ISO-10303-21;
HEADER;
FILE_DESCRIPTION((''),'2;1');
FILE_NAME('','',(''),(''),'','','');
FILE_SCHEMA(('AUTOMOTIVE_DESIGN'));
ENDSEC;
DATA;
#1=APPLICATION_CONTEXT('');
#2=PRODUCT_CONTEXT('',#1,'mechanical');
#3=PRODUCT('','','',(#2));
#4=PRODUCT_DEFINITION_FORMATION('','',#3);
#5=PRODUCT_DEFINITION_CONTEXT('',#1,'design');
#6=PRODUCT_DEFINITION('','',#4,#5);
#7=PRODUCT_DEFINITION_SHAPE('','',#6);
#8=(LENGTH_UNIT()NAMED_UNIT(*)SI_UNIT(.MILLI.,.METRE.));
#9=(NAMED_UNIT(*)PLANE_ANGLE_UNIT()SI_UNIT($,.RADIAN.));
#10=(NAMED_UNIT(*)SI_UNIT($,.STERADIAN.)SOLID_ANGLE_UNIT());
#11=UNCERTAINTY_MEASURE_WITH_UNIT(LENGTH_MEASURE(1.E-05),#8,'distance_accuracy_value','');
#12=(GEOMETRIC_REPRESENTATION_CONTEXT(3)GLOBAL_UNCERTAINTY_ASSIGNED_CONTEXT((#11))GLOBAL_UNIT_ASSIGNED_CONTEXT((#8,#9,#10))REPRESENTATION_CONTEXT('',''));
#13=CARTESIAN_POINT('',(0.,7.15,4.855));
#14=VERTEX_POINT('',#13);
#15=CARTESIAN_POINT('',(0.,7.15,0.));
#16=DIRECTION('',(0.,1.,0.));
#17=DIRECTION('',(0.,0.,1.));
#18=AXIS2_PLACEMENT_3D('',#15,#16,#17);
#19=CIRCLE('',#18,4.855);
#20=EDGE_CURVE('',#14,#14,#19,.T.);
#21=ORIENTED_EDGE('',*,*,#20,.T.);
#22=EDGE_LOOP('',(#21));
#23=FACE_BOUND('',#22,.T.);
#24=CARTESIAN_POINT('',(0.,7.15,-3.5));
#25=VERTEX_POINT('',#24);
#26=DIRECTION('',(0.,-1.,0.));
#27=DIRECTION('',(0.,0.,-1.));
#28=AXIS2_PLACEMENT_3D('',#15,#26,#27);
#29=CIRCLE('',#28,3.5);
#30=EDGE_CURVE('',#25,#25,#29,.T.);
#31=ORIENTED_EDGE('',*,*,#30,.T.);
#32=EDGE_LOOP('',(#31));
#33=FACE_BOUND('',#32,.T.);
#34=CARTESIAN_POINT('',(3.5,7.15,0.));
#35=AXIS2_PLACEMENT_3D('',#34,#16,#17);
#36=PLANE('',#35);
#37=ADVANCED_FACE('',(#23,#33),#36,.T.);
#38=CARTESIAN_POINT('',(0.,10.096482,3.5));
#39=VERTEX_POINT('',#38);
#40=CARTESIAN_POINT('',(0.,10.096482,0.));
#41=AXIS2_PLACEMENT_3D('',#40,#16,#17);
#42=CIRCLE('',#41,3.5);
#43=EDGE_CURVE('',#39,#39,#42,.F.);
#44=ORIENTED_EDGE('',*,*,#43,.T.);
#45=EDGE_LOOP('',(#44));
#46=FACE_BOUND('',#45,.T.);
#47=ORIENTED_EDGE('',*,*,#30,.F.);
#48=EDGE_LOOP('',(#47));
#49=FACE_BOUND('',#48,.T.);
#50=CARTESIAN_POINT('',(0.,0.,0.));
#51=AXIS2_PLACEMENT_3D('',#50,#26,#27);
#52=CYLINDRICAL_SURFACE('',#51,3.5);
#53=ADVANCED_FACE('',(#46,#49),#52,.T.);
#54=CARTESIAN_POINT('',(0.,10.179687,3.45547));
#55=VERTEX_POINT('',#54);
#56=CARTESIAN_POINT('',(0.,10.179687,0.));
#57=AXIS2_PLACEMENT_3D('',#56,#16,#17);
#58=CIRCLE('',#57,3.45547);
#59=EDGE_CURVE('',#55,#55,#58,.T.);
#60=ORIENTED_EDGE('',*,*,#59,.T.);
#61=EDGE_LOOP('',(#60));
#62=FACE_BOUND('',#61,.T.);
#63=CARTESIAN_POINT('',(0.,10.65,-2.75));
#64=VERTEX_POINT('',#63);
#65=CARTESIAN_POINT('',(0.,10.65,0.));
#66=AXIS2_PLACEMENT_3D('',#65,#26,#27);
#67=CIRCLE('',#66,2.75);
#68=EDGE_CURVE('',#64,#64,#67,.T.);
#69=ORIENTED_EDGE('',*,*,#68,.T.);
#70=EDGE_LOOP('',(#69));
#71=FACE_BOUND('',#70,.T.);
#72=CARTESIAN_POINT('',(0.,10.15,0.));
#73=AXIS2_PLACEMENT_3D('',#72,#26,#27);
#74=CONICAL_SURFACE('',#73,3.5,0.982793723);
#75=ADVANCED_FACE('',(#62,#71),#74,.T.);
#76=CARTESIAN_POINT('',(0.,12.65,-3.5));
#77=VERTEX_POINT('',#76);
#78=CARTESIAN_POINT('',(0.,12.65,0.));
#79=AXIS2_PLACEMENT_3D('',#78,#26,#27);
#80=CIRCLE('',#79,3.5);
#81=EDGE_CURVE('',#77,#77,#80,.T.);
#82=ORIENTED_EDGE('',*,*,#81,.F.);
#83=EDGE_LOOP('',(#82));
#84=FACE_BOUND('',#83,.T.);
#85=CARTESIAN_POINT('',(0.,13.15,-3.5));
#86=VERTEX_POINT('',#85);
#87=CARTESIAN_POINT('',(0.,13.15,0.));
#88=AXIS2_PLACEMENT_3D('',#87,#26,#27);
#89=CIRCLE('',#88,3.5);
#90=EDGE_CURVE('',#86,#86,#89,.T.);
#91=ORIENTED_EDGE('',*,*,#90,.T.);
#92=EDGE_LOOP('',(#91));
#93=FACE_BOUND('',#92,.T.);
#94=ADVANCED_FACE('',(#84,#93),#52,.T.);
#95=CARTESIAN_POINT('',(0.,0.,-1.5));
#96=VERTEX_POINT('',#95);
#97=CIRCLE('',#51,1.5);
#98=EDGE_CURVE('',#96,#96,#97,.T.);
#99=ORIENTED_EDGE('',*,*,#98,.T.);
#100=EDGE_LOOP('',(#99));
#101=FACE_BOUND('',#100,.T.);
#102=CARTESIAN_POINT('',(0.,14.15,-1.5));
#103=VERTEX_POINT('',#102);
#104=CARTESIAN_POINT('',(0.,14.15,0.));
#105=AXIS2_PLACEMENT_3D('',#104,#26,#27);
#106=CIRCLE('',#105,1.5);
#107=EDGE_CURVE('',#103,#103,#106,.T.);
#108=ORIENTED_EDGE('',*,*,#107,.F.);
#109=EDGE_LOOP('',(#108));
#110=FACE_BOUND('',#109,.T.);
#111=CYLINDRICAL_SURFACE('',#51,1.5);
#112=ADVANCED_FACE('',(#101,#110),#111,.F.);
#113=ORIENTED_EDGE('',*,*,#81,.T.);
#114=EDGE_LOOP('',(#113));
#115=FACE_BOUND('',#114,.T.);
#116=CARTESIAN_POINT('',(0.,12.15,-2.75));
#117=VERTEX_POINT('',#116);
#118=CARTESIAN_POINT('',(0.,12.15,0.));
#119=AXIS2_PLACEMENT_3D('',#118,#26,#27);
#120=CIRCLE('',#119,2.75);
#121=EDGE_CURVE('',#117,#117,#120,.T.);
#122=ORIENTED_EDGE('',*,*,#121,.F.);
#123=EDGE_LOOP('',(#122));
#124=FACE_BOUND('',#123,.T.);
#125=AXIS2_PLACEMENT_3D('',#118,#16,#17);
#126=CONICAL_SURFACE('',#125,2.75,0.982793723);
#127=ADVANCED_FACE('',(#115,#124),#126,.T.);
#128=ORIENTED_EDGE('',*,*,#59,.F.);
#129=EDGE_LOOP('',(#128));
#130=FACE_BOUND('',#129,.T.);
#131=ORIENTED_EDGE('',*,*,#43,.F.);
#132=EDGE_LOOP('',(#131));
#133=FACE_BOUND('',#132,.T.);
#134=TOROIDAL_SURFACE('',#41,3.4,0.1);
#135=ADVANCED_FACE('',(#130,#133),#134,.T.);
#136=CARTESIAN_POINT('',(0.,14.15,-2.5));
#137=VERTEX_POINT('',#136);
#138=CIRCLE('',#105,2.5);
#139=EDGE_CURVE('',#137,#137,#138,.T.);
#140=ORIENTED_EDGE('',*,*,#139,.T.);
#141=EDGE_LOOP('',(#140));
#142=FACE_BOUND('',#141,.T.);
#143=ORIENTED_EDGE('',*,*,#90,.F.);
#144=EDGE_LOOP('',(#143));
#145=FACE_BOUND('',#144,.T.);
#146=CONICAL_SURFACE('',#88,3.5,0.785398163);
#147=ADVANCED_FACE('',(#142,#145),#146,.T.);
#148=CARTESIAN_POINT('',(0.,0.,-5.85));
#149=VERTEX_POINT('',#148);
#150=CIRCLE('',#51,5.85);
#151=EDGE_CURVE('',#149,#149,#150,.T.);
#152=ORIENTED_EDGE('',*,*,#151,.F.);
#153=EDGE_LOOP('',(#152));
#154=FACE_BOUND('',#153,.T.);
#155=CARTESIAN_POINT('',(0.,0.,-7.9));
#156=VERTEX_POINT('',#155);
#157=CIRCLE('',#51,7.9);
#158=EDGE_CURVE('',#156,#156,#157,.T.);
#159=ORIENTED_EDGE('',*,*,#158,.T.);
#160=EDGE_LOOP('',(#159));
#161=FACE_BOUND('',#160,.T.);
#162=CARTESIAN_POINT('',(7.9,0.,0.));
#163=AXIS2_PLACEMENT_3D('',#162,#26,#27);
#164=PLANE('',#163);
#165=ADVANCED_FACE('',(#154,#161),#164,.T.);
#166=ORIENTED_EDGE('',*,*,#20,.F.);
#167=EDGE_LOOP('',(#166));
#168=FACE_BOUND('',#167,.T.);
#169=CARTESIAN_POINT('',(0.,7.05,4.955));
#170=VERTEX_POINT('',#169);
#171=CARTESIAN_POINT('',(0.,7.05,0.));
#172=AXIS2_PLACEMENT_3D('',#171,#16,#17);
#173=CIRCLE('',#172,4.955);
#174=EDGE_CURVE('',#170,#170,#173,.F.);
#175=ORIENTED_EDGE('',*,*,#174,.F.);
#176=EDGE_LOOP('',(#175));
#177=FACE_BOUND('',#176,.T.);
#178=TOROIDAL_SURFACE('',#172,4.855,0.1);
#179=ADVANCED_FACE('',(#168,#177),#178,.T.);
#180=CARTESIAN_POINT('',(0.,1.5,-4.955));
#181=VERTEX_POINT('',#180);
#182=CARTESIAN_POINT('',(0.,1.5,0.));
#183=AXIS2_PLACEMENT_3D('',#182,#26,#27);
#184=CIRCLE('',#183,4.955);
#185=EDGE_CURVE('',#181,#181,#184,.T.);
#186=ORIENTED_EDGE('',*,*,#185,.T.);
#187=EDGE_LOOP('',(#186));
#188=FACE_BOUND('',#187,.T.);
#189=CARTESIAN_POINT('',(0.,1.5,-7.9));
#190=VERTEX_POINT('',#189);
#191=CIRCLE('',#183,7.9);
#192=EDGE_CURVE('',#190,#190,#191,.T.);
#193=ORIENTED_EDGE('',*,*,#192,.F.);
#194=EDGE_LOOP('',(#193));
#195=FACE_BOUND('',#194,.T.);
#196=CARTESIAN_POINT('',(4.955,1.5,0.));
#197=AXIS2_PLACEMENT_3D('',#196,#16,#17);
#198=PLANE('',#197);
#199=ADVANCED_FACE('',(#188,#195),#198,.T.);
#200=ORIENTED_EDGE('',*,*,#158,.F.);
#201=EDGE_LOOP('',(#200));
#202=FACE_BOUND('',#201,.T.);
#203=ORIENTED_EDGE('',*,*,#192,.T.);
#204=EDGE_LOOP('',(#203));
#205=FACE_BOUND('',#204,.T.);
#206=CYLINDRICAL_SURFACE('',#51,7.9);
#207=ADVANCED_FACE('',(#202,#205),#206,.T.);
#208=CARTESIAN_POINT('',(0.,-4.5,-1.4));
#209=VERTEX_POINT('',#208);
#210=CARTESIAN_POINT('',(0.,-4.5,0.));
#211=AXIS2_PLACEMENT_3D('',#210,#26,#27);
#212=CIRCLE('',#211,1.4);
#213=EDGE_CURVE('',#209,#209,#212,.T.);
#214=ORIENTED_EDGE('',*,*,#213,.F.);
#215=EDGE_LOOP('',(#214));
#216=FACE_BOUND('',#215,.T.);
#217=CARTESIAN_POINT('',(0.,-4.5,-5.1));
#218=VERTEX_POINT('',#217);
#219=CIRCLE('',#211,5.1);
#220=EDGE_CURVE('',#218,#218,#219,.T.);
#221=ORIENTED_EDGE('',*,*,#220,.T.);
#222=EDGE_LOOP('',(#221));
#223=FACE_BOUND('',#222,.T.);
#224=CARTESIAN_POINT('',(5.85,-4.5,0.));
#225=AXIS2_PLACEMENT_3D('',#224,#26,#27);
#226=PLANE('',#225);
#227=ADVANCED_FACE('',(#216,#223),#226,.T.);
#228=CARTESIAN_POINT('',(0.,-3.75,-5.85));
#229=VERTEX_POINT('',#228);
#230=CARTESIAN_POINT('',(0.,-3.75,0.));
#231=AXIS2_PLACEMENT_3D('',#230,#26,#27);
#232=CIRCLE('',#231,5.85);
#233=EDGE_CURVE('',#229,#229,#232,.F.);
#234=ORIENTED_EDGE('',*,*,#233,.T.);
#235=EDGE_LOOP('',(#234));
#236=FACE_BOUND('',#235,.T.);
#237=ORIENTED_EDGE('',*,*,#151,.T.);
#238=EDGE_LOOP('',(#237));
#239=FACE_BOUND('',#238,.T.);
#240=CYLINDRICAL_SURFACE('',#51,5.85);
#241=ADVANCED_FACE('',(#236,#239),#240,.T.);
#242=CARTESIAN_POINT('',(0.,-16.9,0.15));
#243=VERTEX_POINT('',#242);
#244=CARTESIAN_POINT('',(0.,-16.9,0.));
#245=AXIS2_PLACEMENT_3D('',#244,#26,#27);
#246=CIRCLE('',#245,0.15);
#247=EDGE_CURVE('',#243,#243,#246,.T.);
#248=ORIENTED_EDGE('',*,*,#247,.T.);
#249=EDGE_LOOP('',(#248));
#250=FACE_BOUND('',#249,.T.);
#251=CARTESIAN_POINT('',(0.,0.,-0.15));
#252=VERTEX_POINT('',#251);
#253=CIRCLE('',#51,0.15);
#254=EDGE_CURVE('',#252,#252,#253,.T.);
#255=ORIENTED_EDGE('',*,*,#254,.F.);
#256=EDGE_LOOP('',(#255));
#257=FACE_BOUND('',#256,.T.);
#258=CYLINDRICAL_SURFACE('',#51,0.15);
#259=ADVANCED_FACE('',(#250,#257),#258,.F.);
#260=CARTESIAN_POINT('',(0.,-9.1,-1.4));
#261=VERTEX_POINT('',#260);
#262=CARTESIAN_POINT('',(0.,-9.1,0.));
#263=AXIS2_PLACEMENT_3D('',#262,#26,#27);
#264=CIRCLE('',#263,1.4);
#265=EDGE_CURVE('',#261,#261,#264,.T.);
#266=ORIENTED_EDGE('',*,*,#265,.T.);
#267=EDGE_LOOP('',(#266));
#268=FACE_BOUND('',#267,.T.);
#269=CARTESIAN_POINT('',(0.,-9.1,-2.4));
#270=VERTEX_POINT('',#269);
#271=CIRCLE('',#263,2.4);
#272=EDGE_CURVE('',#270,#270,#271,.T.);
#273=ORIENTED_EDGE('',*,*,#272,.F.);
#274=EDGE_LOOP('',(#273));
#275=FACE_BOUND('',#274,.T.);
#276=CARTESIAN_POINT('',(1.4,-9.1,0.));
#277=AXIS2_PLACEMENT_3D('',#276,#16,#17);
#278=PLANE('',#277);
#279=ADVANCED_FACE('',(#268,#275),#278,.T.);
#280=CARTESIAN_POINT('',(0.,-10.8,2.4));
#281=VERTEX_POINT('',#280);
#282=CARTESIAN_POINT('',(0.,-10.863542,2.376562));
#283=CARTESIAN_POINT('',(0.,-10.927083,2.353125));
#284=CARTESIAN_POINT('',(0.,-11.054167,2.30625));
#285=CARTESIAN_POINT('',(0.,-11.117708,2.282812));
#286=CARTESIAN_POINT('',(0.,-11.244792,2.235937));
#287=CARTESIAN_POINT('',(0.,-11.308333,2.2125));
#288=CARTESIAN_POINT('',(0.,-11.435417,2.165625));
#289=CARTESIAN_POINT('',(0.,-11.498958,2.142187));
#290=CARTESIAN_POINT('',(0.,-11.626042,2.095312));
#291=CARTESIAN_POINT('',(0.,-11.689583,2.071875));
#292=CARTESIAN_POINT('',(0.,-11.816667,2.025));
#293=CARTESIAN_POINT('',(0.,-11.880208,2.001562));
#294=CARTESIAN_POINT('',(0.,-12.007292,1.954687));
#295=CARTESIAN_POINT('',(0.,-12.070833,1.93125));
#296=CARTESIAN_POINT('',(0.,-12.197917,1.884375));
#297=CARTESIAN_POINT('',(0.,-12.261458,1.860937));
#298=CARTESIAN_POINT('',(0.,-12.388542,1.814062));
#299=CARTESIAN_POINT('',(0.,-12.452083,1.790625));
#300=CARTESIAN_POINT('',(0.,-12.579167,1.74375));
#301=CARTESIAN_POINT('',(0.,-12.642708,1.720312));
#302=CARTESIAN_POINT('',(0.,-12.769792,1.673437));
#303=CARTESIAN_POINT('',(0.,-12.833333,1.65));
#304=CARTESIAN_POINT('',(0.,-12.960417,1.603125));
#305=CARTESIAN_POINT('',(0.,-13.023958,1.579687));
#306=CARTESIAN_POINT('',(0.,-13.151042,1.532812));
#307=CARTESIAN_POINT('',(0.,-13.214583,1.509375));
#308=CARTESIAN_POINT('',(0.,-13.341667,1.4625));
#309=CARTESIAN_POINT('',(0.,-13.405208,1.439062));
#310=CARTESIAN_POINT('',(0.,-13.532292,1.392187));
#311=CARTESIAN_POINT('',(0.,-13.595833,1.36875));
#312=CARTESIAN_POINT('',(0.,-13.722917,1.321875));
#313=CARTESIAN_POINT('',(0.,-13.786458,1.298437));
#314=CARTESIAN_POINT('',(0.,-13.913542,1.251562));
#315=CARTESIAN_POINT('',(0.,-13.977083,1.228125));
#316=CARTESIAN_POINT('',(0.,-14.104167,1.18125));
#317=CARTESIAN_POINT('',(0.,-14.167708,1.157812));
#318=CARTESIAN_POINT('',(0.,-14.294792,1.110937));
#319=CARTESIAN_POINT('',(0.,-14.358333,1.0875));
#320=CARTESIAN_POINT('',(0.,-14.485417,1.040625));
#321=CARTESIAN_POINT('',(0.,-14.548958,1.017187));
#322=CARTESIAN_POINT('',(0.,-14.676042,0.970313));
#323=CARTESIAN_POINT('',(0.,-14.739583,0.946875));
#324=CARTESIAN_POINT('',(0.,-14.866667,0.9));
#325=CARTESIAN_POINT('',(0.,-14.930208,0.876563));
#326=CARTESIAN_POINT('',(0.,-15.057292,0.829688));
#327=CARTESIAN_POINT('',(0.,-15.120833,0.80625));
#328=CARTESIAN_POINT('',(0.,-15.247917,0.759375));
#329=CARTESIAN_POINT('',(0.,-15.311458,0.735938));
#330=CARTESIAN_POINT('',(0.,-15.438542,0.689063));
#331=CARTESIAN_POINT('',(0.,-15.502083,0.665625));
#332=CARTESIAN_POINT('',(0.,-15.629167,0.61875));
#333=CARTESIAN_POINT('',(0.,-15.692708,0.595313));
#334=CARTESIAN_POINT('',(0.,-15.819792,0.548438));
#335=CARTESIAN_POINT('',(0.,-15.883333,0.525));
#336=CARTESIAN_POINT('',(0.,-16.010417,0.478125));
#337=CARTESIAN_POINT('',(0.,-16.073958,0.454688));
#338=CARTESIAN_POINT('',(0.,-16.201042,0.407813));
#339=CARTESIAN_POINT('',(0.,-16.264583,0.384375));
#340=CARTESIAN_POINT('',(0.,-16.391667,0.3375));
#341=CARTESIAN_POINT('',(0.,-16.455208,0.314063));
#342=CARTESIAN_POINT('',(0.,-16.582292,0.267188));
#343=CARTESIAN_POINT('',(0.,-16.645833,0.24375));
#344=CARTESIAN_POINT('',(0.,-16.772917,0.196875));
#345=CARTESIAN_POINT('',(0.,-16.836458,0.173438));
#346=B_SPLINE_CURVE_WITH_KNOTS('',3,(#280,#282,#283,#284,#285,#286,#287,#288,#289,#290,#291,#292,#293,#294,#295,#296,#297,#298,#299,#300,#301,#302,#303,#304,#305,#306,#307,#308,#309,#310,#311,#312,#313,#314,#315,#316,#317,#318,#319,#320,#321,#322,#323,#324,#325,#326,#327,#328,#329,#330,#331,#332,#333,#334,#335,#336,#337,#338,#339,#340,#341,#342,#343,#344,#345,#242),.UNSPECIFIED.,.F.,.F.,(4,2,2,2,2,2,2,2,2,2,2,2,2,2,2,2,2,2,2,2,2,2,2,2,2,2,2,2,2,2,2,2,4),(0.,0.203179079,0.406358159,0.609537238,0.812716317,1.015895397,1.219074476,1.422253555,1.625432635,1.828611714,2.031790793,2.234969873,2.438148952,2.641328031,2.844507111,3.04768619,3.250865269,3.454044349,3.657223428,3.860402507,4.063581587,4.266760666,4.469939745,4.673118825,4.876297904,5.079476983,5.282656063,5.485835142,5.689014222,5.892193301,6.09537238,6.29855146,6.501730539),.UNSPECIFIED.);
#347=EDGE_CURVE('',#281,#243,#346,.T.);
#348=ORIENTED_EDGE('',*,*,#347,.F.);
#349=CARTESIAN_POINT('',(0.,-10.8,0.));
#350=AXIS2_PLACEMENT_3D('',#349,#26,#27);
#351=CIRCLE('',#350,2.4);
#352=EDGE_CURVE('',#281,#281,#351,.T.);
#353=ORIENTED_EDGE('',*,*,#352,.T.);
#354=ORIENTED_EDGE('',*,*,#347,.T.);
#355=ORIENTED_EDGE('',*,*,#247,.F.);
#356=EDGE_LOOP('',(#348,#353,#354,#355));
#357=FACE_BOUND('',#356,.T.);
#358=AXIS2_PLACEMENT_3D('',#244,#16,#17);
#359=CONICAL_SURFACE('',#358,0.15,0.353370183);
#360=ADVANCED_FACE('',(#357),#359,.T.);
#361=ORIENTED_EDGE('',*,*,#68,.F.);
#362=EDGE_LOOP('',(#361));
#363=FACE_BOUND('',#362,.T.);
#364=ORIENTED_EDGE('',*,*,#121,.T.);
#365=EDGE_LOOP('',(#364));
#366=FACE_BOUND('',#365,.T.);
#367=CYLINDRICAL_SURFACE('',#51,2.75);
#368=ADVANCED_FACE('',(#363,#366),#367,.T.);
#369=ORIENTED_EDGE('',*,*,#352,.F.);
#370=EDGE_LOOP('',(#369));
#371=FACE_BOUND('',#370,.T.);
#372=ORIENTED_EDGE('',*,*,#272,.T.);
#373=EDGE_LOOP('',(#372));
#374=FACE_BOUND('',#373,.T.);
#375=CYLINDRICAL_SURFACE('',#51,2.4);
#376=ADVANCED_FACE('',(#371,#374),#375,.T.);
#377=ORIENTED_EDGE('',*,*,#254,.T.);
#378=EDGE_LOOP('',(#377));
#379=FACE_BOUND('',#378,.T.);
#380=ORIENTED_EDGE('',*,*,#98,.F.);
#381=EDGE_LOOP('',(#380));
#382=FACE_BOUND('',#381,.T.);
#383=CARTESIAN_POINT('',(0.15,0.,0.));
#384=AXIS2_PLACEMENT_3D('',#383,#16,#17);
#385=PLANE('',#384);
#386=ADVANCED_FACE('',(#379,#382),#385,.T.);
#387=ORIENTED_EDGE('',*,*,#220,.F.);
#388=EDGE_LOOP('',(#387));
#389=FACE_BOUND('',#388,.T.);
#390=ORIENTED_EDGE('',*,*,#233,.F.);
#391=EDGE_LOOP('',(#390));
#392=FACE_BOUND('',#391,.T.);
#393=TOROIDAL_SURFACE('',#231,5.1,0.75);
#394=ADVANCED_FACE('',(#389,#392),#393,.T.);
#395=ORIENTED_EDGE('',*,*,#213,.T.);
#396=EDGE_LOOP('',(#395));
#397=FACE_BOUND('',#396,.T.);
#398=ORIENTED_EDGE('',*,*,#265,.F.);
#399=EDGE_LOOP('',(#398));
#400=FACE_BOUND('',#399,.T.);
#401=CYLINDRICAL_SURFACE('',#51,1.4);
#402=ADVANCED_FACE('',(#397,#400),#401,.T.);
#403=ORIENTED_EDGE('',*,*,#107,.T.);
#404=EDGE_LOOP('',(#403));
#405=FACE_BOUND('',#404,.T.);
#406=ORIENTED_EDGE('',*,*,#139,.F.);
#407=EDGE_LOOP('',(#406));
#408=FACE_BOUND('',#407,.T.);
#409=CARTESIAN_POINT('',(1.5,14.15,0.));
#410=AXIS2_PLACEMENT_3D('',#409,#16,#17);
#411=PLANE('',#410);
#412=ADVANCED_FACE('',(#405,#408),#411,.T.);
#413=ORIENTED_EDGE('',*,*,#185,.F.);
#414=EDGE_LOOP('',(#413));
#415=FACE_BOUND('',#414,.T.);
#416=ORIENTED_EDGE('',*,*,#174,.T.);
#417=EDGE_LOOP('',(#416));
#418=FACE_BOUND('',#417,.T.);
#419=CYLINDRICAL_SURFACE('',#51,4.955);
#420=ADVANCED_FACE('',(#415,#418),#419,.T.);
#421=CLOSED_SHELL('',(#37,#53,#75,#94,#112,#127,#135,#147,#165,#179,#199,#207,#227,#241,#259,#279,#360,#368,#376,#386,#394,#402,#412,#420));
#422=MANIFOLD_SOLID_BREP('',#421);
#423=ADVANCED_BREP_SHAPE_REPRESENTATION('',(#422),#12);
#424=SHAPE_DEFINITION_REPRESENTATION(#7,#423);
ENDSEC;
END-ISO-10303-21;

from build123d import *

# Parameters (mm, degrees)
FILLET1_R = 0.75
FILLET2_R = 0.1


with BuildPart() as part:
    # Sketch1 → Revolve1 (revolve)
    with BuildSketch(Plane.XY, mode=Mode.PRIVATE) as revolve1_sk:
        Polygon((1.5, 14.15), (2.5, 14.15), (3.5, 13.15), (3.5, 12.65), (2.75, 12.15), (2.75, 10.65), (3.5, 10.15), (3.5, 7.15), (4.955, 7.15), (4.955, 1.5), (7.9, 1.5), (7.9, 0), (5.85, 0), (5.85, -4.5), (1.4, -4.5), (1.4, -9.1), (2.4, -9.1), (2.4, -10.8), (0.15, -16.9), (0.15, 0), (1.5, 0), align=None)
    revolve(revolve1_sk.sketch.rotate(Axis((0, 0, 0), (0, 1, 0)), 90), axis=Axis((0, 0, 0), (0, 1, 0)))

    # Fillet1
    fillet1_edges = [part.edges().sort_by_distance(p)[0] for p in [
        (0, -4.5, 5.85),
    ]]
    fillet(fillet1_edges, radius=FILLET1_R)

    # Fillet2
    fillet2_edges = [part.edges().sort_by_distance(p)[0] for p in [
        (0, 7.15, 4.955),
        (0, 10.15, 3.5),
    ]]
    fillet(fillet2_edges, radius=FILLET2_R)


solid = part.part
